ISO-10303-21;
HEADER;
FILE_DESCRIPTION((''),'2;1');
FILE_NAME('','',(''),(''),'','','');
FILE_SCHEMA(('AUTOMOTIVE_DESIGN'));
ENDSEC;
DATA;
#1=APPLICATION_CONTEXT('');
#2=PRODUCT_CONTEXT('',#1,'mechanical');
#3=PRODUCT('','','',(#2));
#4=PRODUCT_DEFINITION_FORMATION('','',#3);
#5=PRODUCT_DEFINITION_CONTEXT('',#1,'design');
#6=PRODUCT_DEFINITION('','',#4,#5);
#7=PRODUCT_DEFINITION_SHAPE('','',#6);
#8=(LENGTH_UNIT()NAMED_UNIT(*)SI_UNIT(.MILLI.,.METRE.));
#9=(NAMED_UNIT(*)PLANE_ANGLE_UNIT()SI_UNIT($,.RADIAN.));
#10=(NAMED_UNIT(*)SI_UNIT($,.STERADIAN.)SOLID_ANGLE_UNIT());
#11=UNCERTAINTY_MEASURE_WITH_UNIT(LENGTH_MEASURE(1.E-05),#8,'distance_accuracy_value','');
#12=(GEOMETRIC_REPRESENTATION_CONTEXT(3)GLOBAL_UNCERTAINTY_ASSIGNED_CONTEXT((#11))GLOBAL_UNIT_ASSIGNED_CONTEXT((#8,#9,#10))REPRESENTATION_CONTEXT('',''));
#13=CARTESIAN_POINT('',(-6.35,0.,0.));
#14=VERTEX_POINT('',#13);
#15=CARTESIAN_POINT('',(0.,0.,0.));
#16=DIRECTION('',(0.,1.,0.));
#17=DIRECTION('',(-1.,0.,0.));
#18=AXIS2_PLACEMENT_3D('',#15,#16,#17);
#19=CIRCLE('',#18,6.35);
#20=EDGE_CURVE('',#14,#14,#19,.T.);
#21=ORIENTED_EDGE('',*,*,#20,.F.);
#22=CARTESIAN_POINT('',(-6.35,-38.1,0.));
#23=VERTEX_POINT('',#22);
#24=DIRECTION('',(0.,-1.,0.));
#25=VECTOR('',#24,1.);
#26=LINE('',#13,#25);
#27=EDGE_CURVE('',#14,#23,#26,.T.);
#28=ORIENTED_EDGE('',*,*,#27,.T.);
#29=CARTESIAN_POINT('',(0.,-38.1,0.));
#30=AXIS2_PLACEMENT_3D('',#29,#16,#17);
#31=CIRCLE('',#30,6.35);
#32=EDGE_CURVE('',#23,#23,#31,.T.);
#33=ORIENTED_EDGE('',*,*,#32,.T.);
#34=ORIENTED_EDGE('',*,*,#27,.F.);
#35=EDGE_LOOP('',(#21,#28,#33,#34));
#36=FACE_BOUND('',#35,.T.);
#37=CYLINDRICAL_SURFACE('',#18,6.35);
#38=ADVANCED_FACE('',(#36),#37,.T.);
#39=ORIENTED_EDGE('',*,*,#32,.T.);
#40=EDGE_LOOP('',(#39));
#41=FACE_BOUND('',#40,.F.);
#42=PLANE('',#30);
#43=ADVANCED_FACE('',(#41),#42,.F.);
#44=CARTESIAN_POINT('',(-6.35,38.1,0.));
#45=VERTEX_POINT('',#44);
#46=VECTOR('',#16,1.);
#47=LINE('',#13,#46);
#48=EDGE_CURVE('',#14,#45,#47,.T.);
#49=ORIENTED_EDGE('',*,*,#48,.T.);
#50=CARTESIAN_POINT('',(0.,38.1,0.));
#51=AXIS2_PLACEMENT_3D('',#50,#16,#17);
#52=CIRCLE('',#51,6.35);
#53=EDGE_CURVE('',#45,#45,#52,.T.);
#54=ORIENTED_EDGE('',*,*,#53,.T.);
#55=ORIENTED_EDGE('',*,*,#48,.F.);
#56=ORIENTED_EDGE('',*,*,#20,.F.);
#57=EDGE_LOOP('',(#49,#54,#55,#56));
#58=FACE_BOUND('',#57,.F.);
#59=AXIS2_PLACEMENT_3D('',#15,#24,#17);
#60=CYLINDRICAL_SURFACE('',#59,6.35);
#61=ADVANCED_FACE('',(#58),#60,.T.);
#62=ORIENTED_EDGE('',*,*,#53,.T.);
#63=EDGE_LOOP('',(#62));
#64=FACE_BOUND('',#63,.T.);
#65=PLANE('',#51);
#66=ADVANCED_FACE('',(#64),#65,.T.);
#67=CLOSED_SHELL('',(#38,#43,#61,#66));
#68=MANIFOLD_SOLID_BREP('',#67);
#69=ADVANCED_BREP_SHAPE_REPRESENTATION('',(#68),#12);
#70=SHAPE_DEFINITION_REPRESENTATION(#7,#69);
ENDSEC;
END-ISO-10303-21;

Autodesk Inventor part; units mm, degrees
ref_plane "YZ Plane" through (0, 0, 0) normal (1, 0, 0) x (0, 1, 0)
ref_plane "XZ Plane" through (0, 0, 0) normal (0, 1, 0) x (-1, 0, 0)
ref_plane "XY Plane" through (0, 0, 0) normal (0, 0, 1) x (1, 0, 0)
sketch "Sketch1" plane through (0, 0, 0) normal (0, 1, 0) x (-1, 0, 0)
  circle A0 centre (0, 0) radius 6.35
  dimension "d0" = 12.7
extrude "Extrusion1" add sketch "Sketch1" along normal mid plane 76.2
properties material "Aluminum 6061"
